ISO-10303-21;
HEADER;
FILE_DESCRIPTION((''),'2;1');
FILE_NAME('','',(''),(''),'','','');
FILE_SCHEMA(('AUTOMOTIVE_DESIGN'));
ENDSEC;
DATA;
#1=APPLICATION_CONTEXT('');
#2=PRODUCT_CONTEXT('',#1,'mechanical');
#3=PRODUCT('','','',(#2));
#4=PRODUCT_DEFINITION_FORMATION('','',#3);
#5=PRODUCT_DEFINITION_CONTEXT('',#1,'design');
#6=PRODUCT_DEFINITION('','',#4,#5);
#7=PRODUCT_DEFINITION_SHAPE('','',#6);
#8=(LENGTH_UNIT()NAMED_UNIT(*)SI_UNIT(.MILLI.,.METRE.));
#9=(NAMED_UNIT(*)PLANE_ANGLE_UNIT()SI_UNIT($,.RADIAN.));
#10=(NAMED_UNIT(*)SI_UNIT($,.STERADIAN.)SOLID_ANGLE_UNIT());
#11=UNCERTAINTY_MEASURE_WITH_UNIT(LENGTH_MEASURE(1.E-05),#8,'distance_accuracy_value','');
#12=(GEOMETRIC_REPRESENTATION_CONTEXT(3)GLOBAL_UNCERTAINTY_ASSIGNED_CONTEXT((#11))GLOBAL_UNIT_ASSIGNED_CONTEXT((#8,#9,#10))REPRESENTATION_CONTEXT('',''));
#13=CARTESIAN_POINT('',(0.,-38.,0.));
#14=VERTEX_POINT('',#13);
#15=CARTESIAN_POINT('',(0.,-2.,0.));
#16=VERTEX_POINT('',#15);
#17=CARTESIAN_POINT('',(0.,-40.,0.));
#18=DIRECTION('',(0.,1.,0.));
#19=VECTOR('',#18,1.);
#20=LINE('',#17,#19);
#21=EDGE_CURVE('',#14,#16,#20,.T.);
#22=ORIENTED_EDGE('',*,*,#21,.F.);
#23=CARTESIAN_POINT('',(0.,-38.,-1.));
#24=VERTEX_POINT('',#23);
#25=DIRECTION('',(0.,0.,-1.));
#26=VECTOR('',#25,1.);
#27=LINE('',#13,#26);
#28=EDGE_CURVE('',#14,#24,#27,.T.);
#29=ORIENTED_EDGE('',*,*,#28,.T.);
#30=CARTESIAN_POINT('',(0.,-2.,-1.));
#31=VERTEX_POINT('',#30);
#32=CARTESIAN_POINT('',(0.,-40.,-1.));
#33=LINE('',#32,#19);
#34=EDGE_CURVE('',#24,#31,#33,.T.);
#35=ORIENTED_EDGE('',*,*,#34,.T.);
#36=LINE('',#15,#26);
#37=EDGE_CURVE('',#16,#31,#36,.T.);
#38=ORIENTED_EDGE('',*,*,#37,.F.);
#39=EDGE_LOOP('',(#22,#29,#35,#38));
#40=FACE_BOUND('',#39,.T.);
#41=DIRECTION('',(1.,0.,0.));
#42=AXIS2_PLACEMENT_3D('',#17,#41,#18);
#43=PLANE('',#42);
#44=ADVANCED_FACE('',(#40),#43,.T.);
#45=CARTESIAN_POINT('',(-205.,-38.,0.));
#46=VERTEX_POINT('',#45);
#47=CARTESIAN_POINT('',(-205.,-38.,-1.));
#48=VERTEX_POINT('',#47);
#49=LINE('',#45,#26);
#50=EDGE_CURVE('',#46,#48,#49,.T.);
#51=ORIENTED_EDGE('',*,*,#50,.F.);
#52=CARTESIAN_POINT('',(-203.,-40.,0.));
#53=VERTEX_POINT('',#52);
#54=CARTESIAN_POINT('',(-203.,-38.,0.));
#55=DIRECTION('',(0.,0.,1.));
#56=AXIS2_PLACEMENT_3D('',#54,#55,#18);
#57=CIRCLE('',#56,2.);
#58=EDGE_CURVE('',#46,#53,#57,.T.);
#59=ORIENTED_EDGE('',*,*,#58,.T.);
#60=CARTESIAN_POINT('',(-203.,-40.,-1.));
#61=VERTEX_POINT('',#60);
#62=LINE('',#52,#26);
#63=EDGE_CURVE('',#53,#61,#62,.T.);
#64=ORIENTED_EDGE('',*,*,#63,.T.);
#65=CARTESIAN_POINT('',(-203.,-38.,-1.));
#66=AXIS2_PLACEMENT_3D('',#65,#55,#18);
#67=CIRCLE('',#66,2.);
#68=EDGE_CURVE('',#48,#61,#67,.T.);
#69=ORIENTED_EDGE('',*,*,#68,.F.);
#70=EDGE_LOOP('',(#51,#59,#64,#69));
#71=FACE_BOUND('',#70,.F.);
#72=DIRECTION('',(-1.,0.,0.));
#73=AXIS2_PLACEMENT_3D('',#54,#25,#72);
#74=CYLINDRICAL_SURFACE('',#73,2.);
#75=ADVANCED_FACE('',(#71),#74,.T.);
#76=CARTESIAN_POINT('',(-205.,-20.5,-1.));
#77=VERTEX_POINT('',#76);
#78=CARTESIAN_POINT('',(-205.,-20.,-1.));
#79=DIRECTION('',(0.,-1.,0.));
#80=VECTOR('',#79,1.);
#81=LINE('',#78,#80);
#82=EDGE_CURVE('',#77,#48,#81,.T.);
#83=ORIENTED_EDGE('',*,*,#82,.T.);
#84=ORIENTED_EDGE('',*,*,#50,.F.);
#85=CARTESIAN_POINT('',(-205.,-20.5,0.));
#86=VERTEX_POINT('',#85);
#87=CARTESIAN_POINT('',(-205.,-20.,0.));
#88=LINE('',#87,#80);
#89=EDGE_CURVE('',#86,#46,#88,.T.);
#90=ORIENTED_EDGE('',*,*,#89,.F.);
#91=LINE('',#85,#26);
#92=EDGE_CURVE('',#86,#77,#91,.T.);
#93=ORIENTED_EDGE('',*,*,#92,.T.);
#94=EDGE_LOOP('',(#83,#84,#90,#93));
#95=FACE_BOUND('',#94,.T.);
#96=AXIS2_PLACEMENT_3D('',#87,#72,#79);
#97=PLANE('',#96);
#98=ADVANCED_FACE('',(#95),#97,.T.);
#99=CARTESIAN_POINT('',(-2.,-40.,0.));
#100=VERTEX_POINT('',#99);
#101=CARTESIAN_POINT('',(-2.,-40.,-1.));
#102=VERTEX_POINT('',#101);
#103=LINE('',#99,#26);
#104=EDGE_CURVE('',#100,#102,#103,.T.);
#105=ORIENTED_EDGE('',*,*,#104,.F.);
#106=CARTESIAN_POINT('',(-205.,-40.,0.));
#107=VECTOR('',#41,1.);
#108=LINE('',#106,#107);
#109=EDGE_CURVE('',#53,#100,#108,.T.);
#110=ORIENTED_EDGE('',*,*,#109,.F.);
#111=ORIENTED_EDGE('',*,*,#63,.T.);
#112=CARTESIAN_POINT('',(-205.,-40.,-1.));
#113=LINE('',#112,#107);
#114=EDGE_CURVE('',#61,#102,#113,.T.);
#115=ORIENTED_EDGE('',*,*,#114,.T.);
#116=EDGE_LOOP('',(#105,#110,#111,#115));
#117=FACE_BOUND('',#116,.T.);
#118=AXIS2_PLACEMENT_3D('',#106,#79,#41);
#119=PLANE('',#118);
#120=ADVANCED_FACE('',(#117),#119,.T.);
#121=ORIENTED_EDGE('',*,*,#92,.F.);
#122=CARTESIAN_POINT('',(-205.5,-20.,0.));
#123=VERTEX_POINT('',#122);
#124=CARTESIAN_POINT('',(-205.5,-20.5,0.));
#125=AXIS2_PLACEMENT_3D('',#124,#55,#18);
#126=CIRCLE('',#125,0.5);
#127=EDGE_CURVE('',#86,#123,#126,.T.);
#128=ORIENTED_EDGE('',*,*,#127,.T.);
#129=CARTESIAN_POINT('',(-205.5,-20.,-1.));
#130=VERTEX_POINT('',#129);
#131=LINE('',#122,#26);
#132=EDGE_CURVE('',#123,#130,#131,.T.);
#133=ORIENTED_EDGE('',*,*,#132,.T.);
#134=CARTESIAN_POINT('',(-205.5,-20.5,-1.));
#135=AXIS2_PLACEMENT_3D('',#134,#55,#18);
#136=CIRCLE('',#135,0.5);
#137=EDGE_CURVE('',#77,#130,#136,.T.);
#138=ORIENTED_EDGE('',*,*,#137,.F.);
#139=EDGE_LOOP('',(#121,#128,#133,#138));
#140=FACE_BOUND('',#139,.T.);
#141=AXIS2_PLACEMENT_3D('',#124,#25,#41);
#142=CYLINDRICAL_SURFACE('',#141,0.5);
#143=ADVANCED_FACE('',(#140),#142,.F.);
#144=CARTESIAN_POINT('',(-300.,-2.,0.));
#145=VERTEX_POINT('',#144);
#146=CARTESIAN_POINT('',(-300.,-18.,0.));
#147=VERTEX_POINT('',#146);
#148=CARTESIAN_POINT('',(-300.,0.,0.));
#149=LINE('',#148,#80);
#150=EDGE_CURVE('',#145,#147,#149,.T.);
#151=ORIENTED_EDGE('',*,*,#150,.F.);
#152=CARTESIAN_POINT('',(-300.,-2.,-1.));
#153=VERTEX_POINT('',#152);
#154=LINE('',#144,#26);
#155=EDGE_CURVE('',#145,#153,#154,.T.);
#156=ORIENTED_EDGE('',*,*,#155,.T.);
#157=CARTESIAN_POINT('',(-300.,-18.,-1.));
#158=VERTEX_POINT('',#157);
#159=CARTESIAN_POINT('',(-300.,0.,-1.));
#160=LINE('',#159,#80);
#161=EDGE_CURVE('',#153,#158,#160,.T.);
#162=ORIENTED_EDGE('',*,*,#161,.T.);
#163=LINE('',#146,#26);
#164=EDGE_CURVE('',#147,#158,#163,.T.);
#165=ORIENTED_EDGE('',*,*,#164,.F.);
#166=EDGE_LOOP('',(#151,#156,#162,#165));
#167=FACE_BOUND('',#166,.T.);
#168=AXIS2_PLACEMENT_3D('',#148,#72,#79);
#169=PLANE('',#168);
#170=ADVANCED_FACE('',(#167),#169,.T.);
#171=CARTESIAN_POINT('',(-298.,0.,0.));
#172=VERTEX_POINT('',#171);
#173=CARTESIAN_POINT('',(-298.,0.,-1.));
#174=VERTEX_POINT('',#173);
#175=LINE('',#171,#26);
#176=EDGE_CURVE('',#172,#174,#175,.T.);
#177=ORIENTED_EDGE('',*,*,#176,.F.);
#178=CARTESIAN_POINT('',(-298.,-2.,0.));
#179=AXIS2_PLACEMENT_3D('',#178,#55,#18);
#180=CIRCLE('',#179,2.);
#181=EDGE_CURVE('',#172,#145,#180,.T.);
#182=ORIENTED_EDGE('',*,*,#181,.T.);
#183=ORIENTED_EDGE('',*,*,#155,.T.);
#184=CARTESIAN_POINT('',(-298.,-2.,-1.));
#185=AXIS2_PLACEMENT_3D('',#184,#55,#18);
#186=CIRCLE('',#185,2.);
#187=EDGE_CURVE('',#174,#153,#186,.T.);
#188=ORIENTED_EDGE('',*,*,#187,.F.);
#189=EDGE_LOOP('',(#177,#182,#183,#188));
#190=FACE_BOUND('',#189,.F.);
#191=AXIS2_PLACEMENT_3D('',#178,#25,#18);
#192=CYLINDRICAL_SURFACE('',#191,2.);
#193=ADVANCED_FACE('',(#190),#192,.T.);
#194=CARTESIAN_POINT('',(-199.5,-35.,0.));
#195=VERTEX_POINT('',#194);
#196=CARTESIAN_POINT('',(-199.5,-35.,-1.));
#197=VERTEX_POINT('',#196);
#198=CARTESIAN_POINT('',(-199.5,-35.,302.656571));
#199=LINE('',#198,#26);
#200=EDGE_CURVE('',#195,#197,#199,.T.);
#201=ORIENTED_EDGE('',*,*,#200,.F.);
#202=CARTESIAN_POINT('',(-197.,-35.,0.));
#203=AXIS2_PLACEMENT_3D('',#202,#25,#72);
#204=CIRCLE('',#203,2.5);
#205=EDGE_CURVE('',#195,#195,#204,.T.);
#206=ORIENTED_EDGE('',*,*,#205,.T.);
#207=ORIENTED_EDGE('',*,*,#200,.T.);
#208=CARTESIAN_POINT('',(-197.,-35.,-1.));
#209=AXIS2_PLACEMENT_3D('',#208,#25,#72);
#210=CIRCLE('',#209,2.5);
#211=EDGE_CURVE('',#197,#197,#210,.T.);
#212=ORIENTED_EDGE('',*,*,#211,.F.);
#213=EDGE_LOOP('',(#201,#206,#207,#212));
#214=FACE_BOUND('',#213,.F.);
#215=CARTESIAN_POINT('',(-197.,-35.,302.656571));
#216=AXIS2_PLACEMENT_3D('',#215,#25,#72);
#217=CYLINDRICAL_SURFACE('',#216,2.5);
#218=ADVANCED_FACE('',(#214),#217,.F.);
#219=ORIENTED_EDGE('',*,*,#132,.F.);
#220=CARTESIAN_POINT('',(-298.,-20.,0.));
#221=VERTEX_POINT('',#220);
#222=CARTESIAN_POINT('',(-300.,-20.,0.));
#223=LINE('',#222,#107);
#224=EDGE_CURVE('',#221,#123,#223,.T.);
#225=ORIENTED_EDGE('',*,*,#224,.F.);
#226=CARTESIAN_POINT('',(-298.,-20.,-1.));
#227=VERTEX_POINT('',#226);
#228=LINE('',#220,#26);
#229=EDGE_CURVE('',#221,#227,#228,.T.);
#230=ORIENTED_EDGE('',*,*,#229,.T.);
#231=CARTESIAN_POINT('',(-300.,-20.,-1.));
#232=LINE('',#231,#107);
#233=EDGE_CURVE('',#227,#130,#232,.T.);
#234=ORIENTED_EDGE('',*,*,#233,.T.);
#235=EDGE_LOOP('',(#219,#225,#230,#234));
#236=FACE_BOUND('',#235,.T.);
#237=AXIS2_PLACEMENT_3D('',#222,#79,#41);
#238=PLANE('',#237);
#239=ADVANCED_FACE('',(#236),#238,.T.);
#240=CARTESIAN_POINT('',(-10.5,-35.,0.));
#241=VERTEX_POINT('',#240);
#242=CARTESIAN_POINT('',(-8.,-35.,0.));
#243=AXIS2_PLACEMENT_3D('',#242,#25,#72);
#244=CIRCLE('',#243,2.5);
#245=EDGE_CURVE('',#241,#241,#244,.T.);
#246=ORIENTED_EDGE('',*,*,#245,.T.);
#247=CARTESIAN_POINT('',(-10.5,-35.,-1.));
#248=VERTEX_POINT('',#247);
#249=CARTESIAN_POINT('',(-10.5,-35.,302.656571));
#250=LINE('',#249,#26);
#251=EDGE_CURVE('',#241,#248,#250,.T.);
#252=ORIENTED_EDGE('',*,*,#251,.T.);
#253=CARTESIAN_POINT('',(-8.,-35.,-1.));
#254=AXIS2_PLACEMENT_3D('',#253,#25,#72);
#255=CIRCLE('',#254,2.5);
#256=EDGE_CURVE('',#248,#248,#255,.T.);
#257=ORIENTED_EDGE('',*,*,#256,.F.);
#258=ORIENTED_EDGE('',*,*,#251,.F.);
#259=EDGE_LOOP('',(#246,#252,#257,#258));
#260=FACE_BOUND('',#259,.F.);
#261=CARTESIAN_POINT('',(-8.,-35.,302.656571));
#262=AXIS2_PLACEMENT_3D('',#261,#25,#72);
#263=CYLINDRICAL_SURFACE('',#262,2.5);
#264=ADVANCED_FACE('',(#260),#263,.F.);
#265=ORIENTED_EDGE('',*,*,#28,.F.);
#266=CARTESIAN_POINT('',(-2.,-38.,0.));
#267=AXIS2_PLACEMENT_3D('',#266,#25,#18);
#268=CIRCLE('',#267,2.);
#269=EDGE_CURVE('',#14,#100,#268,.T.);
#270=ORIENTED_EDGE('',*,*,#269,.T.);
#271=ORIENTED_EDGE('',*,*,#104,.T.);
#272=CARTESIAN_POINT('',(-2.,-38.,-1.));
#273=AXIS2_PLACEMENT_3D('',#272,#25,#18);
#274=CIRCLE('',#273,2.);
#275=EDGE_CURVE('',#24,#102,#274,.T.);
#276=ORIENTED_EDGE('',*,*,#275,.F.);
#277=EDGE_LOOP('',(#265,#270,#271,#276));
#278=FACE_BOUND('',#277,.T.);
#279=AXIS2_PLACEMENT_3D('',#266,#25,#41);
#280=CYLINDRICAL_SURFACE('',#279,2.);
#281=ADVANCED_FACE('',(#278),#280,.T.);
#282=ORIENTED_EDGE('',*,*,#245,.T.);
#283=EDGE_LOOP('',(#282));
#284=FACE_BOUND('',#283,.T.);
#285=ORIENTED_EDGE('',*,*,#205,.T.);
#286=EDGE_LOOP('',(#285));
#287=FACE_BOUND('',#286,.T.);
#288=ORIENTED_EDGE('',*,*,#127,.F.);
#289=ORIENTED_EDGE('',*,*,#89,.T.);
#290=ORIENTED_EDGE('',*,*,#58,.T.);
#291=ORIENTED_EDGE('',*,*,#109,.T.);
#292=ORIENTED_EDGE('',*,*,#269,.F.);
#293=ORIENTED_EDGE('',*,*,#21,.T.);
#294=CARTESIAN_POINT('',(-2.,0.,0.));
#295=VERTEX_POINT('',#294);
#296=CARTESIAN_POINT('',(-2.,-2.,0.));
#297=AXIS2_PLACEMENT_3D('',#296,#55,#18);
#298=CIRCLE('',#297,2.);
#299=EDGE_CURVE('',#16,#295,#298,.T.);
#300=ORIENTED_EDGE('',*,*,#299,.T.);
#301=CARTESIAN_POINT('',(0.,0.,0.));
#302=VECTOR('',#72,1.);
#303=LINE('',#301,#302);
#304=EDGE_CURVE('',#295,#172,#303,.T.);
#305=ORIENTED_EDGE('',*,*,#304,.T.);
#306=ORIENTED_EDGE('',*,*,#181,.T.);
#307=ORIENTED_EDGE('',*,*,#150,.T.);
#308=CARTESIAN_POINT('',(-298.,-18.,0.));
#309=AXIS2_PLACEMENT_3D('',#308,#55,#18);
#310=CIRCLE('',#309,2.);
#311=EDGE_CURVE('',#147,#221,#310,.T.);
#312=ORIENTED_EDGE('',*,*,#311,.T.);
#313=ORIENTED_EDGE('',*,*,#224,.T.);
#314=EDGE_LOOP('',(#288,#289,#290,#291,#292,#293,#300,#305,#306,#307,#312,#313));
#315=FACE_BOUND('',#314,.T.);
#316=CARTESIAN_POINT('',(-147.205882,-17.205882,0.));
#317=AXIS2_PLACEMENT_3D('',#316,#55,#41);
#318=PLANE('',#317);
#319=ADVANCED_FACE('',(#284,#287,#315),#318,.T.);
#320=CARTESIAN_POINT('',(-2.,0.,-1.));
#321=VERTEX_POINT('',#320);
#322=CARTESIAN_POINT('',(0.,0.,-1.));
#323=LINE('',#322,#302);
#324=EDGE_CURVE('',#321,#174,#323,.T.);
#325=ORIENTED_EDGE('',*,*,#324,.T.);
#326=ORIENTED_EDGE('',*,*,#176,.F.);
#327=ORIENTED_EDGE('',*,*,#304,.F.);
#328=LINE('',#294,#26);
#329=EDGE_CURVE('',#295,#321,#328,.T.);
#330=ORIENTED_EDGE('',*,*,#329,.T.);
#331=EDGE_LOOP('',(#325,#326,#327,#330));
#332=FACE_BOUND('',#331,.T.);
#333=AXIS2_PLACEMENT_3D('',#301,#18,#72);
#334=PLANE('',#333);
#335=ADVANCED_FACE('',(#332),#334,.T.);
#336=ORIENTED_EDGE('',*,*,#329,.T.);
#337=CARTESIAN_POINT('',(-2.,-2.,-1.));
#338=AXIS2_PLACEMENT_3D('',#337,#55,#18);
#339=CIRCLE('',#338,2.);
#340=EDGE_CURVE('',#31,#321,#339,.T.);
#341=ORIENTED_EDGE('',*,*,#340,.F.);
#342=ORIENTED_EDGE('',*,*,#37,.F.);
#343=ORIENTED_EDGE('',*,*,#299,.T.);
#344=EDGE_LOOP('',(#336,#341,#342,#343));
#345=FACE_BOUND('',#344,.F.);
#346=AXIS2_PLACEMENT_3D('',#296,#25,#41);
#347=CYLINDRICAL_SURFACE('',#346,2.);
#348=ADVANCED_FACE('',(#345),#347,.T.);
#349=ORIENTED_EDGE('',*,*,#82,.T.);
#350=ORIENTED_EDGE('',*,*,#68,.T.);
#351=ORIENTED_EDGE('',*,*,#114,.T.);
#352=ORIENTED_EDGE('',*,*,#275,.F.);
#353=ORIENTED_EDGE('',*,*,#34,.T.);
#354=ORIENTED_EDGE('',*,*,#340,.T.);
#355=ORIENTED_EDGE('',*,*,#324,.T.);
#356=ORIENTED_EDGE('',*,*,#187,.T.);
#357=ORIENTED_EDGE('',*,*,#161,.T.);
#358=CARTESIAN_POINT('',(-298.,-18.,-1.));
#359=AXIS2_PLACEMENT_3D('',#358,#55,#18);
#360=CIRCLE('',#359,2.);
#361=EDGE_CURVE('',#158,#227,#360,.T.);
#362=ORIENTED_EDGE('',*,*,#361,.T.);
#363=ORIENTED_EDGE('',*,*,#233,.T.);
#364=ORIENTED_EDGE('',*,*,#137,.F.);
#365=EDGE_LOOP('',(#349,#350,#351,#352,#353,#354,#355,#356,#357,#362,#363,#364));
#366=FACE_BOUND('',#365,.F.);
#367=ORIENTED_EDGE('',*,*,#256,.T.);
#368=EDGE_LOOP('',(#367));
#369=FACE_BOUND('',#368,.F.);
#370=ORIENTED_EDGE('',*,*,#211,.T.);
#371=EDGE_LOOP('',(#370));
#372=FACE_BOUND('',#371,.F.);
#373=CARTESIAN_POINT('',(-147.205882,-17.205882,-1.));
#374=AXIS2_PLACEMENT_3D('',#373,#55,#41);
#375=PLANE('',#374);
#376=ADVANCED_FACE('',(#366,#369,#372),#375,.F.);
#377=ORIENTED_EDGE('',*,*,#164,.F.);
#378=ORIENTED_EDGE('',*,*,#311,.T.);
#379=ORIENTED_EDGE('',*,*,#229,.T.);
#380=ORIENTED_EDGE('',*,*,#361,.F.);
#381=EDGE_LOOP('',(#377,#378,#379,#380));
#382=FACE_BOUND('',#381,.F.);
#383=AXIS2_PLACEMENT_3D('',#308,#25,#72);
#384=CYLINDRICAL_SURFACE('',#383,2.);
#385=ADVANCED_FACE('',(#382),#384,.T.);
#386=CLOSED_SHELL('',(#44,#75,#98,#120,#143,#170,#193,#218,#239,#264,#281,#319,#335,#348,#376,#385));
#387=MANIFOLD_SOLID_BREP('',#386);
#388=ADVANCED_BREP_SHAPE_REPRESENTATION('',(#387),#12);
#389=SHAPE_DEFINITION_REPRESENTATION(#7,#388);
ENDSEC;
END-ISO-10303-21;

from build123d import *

# Parameters (mm, degrees)
F1_DEPTH = 1
F2_R     = 2
F3_R     = 0.5
F5_D     = 5


with BuildPart() as f1:
    # F0 (on Top) → F1 (new body)
    with BuildSketch(Plane.XY):
        Polygon((0, -40), (0, 0), (-300, 0), (-300, -20), (-205, -20), (-205, -40), align=None)
    extrude(amount=-F1_DEPTH)

    # F2
    f2_edges = [f1.edges().sort_by_distance(p)[0] for p in [
        (-300, -20, -0.5),
        (-300, 0, -0.5),
        (-205, -40, -0.5),
        (0, 0, -0.5),
        (0, -40, -0.5),
    ]]
    fillet(f2_edges, radius=F2_R)

    # F3
    f3_edges = [f1.edges().sort_by_distance(p)[0] for p in [
        (-205, -20, -0.5),
    ]]
    fillet(f3_edges, radius=F3_R)

    # F5 (through all)
    with Locations(Plane.XY):
        with Locations((-197, -35), (-8, -35)):
            Hole(F5_D / 2)


solid = f1.part
